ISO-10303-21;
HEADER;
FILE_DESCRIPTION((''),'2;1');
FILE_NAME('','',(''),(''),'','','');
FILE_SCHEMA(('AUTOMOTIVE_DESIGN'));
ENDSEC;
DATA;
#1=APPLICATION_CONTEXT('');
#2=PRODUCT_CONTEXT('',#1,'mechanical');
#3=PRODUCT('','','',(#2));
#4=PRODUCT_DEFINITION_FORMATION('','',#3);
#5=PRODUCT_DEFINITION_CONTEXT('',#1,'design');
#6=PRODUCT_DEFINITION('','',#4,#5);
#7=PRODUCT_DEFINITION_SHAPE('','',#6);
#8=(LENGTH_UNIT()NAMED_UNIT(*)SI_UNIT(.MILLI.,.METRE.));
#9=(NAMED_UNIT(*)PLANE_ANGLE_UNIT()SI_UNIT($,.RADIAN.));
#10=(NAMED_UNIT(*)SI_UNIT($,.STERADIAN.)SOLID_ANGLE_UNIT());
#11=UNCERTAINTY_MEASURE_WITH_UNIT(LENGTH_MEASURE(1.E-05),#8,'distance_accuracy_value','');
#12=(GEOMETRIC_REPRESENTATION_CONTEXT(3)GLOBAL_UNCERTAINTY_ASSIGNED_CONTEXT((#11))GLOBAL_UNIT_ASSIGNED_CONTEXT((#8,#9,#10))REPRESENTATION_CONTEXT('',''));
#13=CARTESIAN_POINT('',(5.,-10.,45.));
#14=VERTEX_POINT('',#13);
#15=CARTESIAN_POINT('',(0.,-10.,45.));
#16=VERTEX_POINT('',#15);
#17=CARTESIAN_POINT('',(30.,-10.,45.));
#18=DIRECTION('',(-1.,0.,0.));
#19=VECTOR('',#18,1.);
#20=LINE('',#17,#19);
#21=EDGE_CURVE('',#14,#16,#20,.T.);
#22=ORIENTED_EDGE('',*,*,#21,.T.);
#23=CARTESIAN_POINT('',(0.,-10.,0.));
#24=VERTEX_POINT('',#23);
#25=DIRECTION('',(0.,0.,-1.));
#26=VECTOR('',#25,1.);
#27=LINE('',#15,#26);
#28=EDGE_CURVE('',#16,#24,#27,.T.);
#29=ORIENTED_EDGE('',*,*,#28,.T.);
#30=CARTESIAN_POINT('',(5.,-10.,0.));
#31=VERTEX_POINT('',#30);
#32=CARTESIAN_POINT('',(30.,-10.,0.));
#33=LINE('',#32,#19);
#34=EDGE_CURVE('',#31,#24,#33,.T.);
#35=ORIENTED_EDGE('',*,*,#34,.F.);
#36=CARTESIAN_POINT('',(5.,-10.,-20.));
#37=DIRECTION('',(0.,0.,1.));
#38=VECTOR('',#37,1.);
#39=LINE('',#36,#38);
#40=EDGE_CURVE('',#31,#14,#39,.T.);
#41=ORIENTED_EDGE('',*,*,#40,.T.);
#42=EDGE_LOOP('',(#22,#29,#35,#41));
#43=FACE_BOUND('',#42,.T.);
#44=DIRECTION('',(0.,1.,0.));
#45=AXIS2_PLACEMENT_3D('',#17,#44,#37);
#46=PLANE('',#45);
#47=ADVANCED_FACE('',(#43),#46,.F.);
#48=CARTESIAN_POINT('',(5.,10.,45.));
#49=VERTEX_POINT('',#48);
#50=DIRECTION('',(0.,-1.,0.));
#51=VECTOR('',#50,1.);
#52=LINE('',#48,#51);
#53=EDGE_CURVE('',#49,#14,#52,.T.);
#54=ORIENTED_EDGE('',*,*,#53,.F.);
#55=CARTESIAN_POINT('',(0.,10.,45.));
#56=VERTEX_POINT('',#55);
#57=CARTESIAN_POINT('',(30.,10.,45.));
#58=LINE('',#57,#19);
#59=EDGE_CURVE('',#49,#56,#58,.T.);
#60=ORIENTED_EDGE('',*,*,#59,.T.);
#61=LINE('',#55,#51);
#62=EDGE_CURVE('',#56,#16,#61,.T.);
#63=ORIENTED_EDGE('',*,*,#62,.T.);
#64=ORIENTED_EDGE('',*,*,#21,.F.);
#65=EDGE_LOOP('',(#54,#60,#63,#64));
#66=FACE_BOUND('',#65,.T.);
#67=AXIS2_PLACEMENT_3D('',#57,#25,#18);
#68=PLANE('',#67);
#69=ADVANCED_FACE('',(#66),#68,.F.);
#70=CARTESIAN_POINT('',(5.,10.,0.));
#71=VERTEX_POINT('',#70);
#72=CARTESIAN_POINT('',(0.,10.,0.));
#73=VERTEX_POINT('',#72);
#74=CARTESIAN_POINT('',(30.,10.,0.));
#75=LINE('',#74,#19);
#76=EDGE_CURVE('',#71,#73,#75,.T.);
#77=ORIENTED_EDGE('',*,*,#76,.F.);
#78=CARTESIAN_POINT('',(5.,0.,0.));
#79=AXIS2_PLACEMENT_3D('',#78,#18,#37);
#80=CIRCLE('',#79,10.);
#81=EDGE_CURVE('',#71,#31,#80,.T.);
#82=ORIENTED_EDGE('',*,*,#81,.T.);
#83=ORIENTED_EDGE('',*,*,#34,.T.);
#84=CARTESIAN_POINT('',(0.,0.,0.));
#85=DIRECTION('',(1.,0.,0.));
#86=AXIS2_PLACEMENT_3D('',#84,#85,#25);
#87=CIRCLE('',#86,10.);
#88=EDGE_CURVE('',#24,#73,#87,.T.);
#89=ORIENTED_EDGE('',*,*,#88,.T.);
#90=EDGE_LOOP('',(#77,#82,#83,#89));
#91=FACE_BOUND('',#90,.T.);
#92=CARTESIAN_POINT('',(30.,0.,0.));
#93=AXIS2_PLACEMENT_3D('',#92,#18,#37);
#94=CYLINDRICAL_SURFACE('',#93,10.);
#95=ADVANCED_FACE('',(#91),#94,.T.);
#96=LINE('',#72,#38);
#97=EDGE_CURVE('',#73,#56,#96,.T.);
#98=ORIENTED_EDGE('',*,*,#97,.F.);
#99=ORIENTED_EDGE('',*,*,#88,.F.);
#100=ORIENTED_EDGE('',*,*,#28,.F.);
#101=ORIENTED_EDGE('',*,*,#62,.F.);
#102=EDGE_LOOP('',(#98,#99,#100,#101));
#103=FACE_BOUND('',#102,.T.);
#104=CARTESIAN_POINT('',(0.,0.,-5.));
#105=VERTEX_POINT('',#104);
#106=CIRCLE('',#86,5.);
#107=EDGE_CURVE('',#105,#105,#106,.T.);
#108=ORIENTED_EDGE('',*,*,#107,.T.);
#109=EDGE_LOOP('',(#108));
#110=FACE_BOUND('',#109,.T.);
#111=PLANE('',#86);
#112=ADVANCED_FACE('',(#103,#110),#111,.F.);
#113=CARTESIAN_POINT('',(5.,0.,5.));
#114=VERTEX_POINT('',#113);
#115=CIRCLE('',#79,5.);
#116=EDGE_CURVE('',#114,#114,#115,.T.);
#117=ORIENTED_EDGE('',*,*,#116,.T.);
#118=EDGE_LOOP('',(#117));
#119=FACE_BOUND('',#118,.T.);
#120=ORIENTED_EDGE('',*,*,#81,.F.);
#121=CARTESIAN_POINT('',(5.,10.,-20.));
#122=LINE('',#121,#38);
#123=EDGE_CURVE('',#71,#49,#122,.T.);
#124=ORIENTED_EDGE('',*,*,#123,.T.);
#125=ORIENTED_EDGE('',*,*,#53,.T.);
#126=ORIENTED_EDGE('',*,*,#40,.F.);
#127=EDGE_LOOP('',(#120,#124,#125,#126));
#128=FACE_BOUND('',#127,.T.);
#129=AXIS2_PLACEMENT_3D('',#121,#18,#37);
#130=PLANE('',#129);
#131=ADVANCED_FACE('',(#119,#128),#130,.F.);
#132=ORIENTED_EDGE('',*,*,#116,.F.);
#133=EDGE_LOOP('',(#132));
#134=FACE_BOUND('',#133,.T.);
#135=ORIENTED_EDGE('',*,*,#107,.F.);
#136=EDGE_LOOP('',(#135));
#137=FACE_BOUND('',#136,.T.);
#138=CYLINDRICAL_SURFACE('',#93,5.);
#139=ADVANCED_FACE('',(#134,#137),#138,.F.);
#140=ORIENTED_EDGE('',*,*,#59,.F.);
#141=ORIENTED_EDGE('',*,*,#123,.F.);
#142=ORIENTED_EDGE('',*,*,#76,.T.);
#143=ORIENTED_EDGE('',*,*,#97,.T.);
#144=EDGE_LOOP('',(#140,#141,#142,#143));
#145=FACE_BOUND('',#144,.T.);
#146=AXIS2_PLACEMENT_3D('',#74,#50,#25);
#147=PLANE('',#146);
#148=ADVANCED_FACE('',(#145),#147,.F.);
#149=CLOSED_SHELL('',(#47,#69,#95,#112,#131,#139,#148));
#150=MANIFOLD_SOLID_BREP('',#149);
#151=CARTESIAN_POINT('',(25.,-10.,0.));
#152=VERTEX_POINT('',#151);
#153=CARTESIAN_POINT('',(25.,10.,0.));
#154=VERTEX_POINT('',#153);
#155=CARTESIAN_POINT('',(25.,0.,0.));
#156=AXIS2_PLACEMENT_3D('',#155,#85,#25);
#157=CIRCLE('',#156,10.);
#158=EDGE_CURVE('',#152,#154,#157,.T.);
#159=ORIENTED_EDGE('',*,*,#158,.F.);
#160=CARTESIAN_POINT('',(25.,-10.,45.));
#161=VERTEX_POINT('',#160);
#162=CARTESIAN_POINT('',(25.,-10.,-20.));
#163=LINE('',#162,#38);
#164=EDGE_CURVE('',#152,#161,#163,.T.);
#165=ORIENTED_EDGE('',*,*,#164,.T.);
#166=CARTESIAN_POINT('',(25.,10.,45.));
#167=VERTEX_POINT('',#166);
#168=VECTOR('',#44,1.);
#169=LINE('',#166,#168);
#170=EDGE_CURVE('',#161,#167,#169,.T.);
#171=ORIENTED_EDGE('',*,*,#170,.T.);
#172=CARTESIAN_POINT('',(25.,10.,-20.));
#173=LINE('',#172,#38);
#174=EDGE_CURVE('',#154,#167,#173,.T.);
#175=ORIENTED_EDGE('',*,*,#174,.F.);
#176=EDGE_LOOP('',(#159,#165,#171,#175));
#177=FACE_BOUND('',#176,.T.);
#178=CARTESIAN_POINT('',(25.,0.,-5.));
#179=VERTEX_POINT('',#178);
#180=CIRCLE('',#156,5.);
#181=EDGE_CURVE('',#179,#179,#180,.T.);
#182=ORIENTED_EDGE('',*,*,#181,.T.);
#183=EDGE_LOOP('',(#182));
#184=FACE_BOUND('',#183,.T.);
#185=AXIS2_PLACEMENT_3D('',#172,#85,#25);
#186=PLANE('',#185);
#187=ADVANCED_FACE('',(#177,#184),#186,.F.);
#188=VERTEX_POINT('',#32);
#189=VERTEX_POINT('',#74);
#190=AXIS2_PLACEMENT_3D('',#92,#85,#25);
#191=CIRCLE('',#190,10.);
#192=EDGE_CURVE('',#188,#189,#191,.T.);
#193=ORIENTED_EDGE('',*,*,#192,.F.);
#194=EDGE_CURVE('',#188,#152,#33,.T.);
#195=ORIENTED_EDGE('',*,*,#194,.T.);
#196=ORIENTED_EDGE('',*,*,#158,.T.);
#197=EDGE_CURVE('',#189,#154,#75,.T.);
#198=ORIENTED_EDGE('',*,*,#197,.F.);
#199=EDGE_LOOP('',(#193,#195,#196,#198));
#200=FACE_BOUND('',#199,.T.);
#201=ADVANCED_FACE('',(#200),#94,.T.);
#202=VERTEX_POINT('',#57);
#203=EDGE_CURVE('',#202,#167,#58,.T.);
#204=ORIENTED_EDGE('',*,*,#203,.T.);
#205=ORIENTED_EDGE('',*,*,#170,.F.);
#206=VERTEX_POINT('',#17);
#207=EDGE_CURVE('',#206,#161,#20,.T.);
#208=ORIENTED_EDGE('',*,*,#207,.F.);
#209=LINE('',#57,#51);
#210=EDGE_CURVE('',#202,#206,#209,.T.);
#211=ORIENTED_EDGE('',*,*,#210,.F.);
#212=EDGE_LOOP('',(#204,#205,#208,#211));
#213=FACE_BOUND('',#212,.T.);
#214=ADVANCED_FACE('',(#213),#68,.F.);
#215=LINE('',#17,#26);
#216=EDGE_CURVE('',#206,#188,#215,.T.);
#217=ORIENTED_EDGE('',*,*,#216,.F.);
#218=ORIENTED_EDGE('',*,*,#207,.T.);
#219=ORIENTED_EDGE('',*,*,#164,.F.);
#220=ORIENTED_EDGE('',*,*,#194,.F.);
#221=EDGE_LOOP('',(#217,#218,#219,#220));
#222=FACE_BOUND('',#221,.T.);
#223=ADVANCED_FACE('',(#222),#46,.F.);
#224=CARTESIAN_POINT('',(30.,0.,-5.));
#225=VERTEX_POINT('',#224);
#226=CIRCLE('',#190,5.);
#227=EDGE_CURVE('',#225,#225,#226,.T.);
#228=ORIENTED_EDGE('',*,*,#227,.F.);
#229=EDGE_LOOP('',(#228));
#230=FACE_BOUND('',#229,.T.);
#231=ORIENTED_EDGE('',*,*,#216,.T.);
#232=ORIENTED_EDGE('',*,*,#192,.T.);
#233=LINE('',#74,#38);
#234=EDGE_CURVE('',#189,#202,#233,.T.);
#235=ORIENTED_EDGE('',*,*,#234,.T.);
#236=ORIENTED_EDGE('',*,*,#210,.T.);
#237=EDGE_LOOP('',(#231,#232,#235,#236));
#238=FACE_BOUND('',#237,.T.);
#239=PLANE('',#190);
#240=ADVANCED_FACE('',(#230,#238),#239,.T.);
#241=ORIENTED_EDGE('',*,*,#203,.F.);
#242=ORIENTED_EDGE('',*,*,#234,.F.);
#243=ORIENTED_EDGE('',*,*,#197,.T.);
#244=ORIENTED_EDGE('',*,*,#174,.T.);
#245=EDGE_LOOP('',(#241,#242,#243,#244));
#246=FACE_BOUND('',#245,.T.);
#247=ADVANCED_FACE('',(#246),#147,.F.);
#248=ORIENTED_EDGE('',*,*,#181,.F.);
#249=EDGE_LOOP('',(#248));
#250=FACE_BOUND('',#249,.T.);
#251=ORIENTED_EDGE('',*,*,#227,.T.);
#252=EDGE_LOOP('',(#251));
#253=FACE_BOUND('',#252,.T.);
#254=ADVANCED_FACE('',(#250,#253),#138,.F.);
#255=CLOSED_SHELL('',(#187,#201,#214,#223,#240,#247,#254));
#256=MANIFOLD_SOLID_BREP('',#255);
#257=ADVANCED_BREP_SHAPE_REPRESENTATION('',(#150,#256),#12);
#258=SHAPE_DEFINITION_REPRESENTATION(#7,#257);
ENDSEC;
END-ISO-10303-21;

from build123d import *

# Parameters (mm, degrees)
SKETCH1_R           = 5
BOSS_EXTRUDE1_DEPTH = 30
SKETCH2_W           = 20
SKETCH2_H           = 20
CUT_EXTRUDE1_DEPTH  = 65


with BuildPart() as part:
    # Sketch1 → Boss-Extrude1 (new body)
    with BuildSketch(Plane(origin=(0, 0, 0), x_dir=(0, 0, -1), z_dir=(1, 0, 0))):
        with BuildLine():
            Line((0, 10), (-45, 10))
            Line((-45, 10), (-45, -10))
            Line((-45, -10), (0, -10))
            ThreePointArc((0, -10), (10, 0), (0, 10))
        make_face()
        Circle(SKETCH1_R, mode=Mode.SUBTRACT)
    extrude(amount=BOSS_EXTRUDE1_DEPTH)

    # Sketch2 → Cut-Extrude1 (cut)
    with BuildSketch(Plane.XY.offset(45)):
        with Locations((15, 0)):
            Rectangle(SKETCH2_W, SKETCH2_H)
    extrude(amount=-CUT_EXTRUDE1_DEPTH, mode=Mode.SUBTRACT)


with BuildPart() as cut_extrude1_piece_1:
    # of the separate pieces the step leaves, piece 1, a body of its own (cut_extrude1_pieces)
    add(part.part.solids().sort_by_distance((25, 10, 45))[0])


with BuildPart() as cut_extrude1_piece_2:
    # of the separate pieces the step leaves, piece 2, a body of its own (cut_extrude1_pieces)
    add(part.part.solids().sort_by_distance((0, 10, 0))[0])


solid = Compound([cut_extrude1_piece_1.part, cut_extrude1_piece_2.part])
